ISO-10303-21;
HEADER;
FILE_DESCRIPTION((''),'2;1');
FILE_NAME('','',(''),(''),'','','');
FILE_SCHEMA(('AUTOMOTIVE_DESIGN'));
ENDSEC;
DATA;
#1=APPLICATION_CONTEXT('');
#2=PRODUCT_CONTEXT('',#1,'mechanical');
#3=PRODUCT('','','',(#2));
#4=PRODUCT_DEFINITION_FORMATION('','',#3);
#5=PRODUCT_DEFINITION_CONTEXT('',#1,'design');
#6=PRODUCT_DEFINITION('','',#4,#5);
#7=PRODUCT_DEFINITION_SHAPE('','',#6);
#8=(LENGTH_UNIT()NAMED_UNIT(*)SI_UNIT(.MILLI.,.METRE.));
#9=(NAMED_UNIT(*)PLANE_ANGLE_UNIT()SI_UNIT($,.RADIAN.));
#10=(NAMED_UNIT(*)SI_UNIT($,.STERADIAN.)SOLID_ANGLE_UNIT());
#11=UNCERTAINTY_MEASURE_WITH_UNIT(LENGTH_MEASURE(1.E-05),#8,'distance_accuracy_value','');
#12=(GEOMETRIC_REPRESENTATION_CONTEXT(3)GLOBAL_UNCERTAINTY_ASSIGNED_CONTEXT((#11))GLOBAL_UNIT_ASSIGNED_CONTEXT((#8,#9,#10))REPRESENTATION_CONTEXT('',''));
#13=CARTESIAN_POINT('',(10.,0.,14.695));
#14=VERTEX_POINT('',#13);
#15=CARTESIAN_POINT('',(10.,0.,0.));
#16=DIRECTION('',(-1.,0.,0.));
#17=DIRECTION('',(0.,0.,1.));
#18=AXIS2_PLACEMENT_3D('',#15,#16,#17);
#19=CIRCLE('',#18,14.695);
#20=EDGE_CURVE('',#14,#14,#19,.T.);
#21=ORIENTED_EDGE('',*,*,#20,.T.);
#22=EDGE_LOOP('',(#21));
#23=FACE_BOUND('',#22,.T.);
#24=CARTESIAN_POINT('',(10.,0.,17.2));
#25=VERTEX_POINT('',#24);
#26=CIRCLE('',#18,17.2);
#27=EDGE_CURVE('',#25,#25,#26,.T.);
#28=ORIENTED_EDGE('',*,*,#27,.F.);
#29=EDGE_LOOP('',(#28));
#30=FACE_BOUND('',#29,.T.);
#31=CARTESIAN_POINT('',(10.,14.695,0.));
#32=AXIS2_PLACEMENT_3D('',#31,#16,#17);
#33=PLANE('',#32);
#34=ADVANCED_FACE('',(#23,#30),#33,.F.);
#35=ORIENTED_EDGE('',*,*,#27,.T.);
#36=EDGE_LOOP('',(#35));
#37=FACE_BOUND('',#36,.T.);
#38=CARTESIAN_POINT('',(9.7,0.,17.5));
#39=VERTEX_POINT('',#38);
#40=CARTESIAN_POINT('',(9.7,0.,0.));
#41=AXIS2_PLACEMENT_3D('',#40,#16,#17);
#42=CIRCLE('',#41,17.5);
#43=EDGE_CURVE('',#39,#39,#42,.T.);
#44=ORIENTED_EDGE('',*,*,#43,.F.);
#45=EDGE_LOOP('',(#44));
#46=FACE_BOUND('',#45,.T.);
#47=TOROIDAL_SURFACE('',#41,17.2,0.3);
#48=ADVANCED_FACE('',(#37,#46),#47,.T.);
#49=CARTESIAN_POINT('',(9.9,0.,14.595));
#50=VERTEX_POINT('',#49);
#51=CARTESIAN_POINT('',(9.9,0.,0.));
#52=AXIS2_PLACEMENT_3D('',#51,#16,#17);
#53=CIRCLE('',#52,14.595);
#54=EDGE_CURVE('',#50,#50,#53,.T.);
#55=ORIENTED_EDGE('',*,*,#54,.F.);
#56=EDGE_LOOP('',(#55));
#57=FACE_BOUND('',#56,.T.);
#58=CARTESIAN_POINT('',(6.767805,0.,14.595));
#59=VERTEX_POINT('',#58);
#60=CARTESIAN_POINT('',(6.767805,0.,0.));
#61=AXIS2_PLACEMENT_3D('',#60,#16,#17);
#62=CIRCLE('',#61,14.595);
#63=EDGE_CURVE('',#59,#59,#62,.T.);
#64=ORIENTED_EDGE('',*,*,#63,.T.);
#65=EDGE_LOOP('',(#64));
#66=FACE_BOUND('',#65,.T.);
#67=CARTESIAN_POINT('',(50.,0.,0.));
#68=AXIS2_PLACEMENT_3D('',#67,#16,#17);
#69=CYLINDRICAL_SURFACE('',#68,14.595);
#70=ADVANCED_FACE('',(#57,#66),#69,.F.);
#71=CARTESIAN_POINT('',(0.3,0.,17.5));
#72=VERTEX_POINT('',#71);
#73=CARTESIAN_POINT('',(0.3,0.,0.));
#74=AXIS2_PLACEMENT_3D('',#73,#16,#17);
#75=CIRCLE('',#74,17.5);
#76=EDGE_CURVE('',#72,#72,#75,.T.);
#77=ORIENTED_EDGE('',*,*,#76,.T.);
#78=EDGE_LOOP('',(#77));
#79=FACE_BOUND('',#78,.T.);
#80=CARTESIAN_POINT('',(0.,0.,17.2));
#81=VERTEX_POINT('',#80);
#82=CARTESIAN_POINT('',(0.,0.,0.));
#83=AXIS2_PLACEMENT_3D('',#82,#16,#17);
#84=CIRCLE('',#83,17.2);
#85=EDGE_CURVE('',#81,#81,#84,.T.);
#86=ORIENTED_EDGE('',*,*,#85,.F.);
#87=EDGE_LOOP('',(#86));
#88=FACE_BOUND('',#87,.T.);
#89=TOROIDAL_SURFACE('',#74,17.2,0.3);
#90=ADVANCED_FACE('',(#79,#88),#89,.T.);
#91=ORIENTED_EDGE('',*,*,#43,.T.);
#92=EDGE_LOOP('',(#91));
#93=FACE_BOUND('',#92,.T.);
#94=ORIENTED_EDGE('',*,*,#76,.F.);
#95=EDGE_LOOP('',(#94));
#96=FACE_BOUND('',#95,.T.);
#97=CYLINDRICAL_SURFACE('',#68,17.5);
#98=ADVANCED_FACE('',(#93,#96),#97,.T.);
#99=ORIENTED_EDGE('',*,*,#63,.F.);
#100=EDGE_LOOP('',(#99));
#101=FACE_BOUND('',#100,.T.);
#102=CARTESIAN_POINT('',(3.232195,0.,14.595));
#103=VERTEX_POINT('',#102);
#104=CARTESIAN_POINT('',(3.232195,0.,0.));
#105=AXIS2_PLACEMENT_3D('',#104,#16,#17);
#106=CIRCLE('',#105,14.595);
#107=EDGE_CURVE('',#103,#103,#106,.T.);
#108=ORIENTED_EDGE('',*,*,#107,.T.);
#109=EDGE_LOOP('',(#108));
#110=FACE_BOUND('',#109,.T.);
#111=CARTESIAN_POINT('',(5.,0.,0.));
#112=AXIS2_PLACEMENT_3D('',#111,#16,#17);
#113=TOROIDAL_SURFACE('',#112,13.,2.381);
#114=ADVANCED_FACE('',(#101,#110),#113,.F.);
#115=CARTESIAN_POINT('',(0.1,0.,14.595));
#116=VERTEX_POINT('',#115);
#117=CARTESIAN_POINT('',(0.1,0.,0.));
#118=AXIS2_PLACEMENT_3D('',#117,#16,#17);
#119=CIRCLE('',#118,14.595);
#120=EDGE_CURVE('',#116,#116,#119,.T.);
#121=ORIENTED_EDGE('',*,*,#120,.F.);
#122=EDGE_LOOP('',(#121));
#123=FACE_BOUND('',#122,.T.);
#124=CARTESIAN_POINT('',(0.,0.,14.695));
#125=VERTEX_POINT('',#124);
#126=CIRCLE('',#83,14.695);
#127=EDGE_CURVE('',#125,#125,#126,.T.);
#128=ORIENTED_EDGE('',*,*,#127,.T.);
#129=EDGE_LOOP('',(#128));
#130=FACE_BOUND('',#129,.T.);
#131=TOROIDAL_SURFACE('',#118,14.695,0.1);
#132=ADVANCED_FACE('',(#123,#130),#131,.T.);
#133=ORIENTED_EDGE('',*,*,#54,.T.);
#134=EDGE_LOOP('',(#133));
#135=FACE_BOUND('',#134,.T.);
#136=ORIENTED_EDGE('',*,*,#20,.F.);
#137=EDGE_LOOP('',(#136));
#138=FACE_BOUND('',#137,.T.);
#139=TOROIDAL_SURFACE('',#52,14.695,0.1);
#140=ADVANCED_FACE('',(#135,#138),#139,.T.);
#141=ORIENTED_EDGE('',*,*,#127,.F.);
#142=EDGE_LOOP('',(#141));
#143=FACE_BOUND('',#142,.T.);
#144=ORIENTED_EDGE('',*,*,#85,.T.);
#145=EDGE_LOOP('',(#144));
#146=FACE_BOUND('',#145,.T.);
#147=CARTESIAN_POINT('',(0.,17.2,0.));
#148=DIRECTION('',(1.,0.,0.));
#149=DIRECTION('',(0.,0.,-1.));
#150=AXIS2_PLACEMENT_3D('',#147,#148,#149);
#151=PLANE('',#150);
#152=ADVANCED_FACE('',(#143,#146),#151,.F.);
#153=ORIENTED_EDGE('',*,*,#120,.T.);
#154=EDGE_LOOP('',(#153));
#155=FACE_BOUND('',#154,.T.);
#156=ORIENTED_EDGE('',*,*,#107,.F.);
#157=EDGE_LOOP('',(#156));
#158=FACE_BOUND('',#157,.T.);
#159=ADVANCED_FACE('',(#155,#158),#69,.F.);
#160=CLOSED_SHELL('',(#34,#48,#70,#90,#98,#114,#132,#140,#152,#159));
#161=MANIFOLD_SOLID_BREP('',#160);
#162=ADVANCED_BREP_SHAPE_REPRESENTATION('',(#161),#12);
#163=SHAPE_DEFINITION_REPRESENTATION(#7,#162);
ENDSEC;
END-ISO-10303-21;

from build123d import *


with BuildPart() as part:
    # Esquisse1 → Révolution1 (revolve)
    with BuildSketch(Plane.XY, mode=Mode.PRIVATE) as r_volution1_sk:
        with BuildLine():
            Line((0, 17.2), (0, 14.695))
            ThreePointArc((0, 14.695), (0.029289322, 14.624289322), (0.1, 14.595))
            Line((0.1, 14.595), (3.232194581, 14.595))
            ThreePointArc((3.232194581, 14.595), (5, 15.381), (6.767805419, 14.595))
            Line((6.767805419, 14.595), (9.9, 14.595))
            ThreePointArc((9.9, 14.595), (9.970710678, 14.624289322), (10, 14.695))
            Line((10, 14.695), (10, 17.2))
            ThreePointArc((10, 17.2), (9.912132034, 17.412132034), (9.7, 17.5))
            Line((9.7, 17.5), (0.3, 17.5))
            ThreePointArc((0.3, 17.5), (0.087867966, 17.412132034), (0, 17.2))
        make_face()
    revolve(r_volution1_sk.sketch.rotate(Axis((50, 0, 0), (-1, 0, 0)), 270), axis=Axis((50, 0, 0), (-1, 0, 0)))


solid = part.part
